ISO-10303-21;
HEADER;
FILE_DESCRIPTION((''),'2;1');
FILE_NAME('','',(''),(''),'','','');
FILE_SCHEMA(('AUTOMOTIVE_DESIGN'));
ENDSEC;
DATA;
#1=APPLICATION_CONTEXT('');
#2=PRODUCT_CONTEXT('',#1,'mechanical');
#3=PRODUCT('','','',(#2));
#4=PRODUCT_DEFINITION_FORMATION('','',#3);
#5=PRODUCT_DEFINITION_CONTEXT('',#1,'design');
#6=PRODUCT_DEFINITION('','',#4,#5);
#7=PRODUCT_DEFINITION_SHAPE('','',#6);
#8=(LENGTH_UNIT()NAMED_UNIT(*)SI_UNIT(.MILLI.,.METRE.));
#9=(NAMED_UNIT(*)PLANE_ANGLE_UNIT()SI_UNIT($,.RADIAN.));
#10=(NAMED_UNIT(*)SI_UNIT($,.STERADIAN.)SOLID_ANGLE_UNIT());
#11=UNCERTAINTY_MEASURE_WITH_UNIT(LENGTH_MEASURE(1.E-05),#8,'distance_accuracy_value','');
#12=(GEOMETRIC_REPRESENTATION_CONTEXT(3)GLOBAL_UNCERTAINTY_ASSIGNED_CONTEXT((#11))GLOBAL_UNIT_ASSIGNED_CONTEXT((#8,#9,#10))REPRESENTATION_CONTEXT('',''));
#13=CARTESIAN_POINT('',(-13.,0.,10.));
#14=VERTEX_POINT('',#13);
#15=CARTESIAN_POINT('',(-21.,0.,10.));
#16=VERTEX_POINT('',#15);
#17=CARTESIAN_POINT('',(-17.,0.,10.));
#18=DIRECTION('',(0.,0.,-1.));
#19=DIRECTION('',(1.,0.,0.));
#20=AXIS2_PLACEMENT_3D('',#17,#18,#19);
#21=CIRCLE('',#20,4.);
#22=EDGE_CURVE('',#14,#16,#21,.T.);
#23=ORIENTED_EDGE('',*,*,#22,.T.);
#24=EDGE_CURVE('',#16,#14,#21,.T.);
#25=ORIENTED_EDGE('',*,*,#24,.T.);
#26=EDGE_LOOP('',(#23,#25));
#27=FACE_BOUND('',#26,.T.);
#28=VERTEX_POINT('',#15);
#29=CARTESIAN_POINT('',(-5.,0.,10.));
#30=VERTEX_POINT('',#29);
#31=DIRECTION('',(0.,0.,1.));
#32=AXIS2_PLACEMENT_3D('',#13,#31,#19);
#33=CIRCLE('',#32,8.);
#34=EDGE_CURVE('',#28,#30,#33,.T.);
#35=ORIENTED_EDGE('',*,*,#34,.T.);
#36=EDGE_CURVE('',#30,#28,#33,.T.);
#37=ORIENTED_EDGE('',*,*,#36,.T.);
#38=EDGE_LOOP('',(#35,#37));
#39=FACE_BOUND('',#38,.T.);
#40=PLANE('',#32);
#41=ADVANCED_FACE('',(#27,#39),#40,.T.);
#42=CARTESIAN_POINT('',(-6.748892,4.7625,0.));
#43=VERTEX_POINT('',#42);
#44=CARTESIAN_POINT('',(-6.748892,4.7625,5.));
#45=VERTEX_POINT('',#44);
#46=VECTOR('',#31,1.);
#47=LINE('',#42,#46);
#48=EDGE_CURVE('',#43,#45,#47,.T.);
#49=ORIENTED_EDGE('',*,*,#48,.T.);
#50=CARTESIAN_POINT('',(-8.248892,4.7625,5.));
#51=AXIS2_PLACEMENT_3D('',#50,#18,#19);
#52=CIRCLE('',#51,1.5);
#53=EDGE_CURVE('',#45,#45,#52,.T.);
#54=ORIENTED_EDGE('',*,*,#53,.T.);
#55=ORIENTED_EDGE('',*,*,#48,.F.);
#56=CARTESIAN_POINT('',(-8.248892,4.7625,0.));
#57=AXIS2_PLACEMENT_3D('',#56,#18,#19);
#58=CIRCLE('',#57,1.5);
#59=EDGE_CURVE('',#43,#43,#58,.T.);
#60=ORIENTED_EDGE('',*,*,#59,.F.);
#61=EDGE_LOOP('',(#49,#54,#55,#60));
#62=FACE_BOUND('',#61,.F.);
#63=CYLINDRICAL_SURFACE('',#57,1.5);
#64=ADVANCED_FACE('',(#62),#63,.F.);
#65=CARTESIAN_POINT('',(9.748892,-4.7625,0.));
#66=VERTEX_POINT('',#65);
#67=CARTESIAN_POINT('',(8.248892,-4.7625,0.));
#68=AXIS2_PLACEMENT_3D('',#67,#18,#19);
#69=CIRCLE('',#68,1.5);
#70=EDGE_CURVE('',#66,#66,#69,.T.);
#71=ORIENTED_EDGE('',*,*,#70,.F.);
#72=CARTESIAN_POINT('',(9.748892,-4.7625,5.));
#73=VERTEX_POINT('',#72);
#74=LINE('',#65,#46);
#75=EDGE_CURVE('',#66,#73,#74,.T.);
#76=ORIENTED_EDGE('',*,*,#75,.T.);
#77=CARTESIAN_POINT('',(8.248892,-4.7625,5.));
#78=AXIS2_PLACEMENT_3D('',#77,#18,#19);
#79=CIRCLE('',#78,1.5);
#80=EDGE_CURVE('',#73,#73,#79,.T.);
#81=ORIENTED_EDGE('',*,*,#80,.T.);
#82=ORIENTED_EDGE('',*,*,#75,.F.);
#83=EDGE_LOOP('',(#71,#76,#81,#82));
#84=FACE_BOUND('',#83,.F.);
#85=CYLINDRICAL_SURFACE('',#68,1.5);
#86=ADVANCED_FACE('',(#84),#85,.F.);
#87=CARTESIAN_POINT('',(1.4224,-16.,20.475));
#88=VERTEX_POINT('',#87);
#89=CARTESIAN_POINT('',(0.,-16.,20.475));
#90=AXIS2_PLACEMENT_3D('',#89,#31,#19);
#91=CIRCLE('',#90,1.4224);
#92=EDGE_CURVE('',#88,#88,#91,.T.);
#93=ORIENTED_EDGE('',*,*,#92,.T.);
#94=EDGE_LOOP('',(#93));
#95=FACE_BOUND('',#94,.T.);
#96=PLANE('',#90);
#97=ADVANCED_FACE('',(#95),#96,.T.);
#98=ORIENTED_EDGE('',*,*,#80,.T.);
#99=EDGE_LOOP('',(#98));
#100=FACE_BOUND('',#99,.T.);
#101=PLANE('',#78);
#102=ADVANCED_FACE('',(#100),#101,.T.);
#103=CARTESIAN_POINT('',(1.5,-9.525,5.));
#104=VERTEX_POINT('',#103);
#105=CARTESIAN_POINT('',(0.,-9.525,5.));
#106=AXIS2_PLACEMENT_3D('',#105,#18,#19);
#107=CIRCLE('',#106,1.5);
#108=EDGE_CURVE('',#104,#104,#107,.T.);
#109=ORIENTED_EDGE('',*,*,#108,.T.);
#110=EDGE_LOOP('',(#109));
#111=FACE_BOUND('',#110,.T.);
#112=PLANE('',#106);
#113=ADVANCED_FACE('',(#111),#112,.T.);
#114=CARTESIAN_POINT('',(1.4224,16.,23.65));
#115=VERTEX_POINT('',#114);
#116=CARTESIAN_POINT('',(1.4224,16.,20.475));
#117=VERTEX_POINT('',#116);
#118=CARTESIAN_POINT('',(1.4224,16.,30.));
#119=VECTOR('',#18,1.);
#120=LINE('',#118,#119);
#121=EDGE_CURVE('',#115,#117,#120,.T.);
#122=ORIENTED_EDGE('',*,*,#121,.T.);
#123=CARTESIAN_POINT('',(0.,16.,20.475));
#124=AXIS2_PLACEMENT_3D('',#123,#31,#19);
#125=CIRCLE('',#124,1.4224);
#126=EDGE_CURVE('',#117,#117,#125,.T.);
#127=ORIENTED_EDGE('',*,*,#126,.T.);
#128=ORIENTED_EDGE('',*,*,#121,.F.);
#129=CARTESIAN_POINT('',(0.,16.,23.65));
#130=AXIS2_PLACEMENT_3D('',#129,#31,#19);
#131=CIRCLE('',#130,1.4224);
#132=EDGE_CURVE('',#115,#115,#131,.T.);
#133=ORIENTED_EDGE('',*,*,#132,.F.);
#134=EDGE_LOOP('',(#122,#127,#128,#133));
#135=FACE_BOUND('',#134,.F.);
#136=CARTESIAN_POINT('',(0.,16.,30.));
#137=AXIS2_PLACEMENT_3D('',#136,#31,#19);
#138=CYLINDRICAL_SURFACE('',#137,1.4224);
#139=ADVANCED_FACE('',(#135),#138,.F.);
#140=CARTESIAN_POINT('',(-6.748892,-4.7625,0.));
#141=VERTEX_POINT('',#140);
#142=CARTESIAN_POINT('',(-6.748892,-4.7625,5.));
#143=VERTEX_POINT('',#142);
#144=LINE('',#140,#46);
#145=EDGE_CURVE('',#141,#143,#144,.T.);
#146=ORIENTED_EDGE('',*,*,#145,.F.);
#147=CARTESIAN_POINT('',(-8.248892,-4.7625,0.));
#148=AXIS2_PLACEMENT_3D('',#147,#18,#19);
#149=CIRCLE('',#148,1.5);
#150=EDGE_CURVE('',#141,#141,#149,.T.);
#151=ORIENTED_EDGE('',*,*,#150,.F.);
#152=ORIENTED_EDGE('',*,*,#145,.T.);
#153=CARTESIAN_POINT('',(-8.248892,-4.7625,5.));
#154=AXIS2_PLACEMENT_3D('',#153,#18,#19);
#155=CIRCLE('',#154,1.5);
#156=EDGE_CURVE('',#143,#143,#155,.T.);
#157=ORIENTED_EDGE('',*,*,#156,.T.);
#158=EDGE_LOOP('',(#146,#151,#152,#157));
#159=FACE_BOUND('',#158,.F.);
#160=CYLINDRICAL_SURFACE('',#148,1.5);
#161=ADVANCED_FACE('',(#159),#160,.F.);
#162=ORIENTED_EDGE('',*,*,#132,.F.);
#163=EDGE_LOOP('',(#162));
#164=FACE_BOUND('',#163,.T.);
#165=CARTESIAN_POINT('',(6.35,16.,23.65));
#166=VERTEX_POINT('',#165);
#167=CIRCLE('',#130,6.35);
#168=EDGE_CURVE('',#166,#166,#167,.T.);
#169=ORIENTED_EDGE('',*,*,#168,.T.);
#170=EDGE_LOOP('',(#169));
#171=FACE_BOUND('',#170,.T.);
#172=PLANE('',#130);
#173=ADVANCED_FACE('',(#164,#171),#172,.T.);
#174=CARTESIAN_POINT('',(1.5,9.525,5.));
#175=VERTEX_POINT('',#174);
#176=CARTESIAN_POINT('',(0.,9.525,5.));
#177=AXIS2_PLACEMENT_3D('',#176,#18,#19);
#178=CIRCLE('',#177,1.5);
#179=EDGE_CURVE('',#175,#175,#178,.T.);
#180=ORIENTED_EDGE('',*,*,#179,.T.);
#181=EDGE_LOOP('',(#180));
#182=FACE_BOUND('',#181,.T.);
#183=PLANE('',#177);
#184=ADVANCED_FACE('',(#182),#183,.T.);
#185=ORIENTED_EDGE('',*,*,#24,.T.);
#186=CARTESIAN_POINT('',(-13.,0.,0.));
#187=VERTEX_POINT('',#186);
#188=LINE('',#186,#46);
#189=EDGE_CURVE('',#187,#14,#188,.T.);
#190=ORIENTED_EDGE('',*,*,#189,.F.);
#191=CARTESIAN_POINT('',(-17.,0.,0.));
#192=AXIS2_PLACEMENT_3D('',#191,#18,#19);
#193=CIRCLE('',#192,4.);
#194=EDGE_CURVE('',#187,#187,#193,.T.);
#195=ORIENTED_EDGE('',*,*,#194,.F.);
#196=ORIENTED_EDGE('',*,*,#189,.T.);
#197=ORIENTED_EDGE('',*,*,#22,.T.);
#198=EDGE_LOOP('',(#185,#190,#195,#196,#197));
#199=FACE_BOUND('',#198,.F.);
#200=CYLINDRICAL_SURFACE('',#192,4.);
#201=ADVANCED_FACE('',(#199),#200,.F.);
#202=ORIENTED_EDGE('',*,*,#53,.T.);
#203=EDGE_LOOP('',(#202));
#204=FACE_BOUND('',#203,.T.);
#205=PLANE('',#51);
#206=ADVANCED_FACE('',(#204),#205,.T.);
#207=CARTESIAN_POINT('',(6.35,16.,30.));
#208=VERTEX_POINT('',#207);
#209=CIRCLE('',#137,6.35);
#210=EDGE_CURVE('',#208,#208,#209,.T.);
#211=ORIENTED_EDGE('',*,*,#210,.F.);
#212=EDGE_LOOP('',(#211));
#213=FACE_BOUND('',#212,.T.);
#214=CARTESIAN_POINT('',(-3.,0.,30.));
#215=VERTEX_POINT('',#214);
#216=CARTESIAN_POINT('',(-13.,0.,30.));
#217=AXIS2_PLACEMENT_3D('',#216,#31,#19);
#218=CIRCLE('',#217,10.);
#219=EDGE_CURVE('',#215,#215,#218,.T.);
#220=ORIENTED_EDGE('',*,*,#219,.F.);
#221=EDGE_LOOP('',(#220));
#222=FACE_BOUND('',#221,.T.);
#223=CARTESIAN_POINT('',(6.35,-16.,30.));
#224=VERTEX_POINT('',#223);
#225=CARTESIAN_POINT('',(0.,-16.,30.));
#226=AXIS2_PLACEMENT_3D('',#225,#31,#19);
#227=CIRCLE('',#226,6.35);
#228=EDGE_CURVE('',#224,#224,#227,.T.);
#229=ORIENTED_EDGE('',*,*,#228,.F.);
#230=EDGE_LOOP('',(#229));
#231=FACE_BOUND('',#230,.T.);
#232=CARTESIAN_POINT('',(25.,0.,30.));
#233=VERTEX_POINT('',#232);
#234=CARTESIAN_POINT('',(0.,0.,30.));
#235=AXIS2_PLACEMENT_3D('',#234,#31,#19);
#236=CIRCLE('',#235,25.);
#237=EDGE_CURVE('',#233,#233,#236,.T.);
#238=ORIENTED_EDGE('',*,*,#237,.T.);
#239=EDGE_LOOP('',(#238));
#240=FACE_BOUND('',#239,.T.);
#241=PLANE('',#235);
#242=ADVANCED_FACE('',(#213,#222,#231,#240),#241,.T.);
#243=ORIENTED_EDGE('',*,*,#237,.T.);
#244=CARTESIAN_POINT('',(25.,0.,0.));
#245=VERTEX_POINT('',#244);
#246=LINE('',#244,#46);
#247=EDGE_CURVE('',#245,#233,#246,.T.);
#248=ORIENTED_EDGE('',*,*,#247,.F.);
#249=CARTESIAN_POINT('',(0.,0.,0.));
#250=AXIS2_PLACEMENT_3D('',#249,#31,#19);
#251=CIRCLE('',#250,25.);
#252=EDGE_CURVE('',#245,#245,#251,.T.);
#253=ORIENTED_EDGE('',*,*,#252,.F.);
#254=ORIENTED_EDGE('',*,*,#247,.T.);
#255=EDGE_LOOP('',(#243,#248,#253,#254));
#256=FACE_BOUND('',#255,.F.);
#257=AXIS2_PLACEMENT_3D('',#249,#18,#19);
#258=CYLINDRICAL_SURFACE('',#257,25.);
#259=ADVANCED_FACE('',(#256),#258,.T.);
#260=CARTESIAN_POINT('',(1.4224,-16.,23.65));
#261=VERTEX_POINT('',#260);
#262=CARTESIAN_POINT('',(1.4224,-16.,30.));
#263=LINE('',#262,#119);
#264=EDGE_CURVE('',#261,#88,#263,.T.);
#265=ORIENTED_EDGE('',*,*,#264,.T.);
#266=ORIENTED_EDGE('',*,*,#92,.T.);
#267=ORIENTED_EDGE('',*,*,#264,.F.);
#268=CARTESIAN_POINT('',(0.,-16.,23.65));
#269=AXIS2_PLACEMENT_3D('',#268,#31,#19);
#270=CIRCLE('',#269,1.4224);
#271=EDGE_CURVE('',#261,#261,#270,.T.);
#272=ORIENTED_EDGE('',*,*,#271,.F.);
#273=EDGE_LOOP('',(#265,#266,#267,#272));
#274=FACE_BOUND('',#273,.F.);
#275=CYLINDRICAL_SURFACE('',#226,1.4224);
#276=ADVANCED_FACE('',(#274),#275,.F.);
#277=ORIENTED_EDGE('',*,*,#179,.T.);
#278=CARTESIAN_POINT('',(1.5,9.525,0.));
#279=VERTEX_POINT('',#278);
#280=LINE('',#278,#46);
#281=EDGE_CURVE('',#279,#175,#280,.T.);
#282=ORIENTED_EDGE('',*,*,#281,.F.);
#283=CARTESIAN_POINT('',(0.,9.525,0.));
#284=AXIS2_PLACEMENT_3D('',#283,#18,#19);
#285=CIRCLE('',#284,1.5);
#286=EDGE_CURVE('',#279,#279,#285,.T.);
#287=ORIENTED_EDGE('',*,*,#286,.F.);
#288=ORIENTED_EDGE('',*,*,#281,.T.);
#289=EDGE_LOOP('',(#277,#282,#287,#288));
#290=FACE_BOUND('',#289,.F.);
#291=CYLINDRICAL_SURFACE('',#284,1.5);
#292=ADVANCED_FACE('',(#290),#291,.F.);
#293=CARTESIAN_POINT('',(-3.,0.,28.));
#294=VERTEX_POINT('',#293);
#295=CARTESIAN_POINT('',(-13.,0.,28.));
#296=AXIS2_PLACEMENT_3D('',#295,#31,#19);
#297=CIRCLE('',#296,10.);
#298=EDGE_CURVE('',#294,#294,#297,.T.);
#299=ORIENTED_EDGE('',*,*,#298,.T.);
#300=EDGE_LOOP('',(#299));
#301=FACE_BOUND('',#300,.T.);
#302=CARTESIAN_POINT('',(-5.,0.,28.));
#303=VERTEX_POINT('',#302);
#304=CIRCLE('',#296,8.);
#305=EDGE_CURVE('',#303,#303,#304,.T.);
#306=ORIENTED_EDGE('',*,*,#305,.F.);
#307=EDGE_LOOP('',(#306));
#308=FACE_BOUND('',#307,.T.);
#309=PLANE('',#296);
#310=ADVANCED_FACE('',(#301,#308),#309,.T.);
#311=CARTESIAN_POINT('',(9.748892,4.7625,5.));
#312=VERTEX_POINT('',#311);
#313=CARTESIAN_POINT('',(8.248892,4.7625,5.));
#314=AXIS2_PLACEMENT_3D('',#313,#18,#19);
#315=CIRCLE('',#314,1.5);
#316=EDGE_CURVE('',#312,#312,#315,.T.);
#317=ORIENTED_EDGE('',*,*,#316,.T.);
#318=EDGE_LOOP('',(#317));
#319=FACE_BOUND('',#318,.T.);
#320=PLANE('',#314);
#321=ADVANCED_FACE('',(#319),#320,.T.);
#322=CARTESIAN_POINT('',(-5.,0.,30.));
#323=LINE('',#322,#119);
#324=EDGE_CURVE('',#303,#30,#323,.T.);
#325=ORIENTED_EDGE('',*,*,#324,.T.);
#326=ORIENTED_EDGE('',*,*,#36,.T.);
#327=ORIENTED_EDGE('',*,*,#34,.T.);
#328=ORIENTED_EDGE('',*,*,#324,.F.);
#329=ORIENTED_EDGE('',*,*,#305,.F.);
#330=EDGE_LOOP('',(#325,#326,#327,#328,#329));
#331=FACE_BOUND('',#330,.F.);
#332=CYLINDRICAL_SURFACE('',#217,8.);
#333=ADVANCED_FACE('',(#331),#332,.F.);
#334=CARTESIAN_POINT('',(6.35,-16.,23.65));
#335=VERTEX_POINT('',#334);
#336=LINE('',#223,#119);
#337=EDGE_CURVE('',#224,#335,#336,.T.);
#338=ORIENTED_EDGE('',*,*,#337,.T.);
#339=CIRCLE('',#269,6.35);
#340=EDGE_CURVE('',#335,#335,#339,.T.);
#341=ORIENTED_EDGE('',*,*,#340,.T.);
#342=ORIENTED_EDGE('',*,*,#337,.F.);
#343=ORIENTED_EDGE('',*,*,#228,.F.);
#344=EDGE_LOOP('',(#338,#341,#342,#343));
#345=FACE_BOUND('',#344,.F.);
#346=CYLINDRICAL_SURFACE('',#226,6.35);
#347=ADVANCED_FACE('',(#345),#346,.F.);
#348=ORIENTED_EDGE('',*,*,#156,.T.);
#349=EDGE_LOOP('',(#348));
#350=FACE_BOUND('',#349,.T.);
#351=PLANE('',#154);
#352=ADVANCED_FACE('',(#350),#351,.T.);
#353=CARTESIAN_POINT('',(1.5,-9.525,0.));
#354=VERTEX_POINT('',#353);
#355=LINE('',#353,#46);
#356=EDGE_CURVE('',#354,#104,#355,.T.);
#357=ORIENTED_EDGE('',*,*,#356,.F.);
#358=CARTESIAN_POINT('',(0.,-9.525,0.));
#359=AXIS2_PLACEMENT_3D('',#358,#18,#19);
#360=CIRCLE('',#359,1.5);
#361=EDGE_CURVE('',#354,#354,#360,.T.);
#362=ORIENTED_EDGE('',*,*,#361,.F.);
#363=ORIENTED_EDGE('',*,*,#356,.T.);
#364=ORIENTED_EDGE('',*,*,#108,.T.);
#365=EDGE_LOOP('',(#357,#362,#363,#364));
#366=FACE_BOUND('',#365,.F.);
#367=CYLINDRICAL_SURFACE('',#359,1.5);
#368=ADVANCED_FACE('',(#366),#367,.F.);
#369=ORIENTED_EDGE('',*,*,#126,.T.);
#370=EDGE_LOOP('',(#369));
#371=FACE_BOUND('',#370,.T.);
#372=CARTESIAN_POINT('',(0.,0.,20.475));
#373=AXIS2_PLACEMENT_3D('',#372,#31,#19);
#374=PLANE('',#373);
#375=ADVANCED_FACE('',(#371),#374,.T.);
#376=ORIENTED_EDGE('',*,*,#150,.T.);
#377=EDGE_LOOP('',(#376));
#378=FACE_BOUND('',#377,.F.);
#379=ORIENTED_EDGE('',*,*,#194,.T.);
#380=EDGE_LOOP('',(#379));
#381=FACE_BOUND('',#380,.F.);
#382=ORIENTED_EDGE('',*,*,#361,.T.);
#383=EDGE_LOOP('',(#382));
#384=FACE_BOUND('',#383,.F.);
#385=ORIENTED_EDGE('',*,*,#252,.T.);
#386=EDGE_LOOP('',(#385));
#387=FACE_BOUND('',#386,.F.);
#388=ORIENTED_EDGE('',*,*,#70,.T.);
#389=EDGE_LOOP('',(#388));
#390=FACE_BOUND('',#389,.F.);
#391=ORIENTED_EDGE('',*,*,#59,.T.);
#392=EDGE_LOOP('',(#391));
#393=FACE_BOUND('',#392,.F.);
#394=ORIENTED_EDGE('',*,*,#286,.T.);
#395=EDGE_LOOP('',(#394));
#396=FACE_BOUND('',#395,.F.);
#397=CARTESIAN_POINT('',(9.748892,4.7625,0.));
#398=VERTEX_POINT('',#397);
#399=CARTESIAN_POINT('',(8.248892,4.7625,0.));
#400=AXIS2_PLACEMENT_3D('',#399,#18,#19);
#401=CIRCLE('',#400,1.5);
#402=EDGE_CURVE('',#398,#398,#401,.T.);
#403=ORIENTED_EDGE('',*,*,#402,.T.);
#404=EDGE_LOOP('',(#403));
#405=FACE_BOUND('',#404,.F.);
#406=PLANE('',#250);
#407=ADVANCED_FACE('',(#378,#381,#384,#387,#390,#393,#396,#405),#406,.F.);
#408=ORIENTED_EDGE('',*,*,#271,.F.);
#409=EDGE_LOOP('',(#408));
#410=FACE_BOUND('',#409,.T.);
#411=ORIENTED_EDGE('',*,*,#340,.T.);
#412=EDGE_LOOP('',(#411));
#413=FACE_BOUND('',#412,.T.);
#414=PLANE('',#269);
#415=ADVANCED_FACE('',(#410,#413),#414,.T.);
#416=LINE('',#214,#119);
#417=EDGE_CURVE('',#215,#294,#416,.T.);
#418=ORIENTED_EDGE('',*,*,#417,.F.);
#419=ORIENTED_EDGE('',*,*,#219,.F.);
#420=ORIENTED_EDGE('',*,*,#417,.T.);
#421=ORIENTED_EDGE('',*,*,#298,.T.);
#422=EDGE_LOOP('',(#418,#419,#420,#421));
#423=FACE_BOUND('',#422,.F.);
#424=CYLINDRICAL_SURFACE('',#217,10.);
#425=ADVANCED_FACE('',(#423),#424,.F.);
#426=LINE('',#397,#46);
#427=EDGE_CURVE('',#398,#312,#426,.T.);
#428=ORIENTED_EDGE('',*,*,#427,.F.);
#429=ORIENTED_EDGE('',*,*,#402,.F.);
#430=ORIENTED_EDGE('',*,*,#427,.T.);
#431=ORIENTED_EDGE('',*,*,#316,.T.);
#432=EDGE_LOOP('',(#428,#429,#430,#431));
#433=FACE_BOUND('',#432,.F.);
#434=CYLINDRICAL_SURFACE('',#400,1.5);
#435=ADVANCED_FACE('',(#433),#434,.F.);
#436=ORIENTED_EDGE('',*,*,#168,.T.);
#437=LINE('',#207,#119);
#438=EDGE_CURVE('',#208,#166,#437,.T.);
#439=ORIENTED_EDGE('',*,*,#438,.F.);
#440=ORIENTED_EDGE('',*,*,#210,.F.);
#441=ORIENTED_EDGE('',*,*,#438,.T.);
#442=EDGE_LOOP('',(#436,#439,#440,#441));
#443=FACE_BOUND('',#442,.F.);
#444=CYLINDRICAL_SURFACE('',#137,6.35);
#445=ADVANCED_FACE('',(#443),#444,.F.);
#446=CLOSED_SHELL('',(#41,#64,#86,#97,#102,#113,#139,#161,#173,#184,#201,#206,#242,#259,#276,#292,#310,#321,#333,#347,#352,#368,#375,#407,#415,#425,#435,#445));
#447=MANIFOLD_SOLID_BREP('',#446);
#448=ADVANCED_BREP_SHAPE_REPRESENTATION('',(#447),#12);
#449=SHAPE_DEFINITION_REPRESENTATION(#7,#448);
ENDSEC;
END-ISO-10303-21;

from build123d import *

# Parameters (mm, degrees)
F0_R      = 25
F1_DEPTH  = 30
F2_R      = 1.5
F3_DEPTH  = 5
F4_R      = 6.35
F4_R_2    = 1.4224
F5_DEPTH  = 6.35
F6_DEPTH  = 9.525
F7_DEPTH  = 6.35
F8_DEPTH  = 9.525
F4_R_3    = 8
F9_DEPTH  = 20
F10_R     = 4
F11_DEPTH = 30.001
F4_R_4    = 10
F12_DEPTH = 2


with BuildPart() as f1:
    # F0 (on Top) → F1 (new body)
    with BuildSketch(Plane.XY):
        Circle(F0_R)
    extrude(amount=F1_DEPTH)

    # F2 (on face) → F3 (cut)
    with BuildSketch(Plane(origin=(0, 0, 0), x_dir=(1, 0, 0), z_dir=(0, 0, -1))):
        with Locations((0, 9.525)):
            Circle(F2_R)
        with Locations((-8.248891971, 4.7625)):
            Circle(F2_R)
        with Locations((-8.248891971, -4.7625)):
            Circle(F2_R)
        with Locations((0, -9.525)):
            Circle(F2_R)
        with Locations((8.248891971, -4.7625)):
            Circle(F2_R)
        with Locations((8.248891971, 4.7625)):
            Circle(F2_R)
    extrude(amount=-F3_DEPTH, mode=Mode.SUBTRACT)

    # F4 (on face) → F5 (cut)
    with BuildSketch(Plane.XY.offset(30)):
        with Locations((0, 16)):
            Circle(F4_R)
        with Locations((0, 16)):
            Circle(F4_R_2, mode=Mode.SUBTRACT)
    extrude(amount=-F5_DEPTH, mode=Mode.SUBTRACT)

    # F6 (cut): a face of the model
    f6_faces = [f1.faces().sort_by_distance(p)[0] for p in [
        (0, 16, 30),
    ]]
    extrude(f6_faces, amount=-F6_DEPTH, mode=Mode.SUBTRACT)

    # F4 (on face) → F7 (cut)
    with BuildSketch(Plane.XY.offset(30)):
        with Locations((0, -16)):
            Circle(F4_R)
        with Locations((0, -16)):
            Circle(F4_R_2, mode=Mode.SUBTRACT)
    extrude(amount=-F7_DEPTH, mode=Mode.SUBTRACT)

    # F4 (on face) → F8 (cut)
    with BuildSketch(Plane.XY.offset(30)):
        with Locations((0, -16)):
            Circle(F4_R_2)
    extrude(amount=-F8_DEPTH, mode=Mode.SUBTRACT)

    # F4 (on face) → F9 (cut)
    with BuildSketch(Plane.XY.offset(30)):
        with Locations((-13, 0)):
            Circle(F4_R_3)
    extrude(amount=-F9_DEPTH, mode=Mode.SUBTRACT)

    # F10 (on face) → F11 (cut, through all)
    with BuildSketch(Plane(origin=(0, 0, 0), x_dir=(1, 0, 0), z_dir=(0, 0, -1))):
        with Locations((-17, 0)):
            Circle(F10_R)
    extrude(amount=-F11_DEPTH, mode=Mode.SUBTRACT)

    # F4 (on face) → F12 (cut)
    with BuildSketch(Plane.XY.offset(30)):
        with Locations((-13, 0)):
            Circle(F4_R_4)
        with Locations((-13, 0)):
            Circle(F4_R_3, mode=Mode.SUBTRACT)
    extrude(amount=-F12_DEPTH, mode=Mode.SUBTRACT)


solid = f1.part
